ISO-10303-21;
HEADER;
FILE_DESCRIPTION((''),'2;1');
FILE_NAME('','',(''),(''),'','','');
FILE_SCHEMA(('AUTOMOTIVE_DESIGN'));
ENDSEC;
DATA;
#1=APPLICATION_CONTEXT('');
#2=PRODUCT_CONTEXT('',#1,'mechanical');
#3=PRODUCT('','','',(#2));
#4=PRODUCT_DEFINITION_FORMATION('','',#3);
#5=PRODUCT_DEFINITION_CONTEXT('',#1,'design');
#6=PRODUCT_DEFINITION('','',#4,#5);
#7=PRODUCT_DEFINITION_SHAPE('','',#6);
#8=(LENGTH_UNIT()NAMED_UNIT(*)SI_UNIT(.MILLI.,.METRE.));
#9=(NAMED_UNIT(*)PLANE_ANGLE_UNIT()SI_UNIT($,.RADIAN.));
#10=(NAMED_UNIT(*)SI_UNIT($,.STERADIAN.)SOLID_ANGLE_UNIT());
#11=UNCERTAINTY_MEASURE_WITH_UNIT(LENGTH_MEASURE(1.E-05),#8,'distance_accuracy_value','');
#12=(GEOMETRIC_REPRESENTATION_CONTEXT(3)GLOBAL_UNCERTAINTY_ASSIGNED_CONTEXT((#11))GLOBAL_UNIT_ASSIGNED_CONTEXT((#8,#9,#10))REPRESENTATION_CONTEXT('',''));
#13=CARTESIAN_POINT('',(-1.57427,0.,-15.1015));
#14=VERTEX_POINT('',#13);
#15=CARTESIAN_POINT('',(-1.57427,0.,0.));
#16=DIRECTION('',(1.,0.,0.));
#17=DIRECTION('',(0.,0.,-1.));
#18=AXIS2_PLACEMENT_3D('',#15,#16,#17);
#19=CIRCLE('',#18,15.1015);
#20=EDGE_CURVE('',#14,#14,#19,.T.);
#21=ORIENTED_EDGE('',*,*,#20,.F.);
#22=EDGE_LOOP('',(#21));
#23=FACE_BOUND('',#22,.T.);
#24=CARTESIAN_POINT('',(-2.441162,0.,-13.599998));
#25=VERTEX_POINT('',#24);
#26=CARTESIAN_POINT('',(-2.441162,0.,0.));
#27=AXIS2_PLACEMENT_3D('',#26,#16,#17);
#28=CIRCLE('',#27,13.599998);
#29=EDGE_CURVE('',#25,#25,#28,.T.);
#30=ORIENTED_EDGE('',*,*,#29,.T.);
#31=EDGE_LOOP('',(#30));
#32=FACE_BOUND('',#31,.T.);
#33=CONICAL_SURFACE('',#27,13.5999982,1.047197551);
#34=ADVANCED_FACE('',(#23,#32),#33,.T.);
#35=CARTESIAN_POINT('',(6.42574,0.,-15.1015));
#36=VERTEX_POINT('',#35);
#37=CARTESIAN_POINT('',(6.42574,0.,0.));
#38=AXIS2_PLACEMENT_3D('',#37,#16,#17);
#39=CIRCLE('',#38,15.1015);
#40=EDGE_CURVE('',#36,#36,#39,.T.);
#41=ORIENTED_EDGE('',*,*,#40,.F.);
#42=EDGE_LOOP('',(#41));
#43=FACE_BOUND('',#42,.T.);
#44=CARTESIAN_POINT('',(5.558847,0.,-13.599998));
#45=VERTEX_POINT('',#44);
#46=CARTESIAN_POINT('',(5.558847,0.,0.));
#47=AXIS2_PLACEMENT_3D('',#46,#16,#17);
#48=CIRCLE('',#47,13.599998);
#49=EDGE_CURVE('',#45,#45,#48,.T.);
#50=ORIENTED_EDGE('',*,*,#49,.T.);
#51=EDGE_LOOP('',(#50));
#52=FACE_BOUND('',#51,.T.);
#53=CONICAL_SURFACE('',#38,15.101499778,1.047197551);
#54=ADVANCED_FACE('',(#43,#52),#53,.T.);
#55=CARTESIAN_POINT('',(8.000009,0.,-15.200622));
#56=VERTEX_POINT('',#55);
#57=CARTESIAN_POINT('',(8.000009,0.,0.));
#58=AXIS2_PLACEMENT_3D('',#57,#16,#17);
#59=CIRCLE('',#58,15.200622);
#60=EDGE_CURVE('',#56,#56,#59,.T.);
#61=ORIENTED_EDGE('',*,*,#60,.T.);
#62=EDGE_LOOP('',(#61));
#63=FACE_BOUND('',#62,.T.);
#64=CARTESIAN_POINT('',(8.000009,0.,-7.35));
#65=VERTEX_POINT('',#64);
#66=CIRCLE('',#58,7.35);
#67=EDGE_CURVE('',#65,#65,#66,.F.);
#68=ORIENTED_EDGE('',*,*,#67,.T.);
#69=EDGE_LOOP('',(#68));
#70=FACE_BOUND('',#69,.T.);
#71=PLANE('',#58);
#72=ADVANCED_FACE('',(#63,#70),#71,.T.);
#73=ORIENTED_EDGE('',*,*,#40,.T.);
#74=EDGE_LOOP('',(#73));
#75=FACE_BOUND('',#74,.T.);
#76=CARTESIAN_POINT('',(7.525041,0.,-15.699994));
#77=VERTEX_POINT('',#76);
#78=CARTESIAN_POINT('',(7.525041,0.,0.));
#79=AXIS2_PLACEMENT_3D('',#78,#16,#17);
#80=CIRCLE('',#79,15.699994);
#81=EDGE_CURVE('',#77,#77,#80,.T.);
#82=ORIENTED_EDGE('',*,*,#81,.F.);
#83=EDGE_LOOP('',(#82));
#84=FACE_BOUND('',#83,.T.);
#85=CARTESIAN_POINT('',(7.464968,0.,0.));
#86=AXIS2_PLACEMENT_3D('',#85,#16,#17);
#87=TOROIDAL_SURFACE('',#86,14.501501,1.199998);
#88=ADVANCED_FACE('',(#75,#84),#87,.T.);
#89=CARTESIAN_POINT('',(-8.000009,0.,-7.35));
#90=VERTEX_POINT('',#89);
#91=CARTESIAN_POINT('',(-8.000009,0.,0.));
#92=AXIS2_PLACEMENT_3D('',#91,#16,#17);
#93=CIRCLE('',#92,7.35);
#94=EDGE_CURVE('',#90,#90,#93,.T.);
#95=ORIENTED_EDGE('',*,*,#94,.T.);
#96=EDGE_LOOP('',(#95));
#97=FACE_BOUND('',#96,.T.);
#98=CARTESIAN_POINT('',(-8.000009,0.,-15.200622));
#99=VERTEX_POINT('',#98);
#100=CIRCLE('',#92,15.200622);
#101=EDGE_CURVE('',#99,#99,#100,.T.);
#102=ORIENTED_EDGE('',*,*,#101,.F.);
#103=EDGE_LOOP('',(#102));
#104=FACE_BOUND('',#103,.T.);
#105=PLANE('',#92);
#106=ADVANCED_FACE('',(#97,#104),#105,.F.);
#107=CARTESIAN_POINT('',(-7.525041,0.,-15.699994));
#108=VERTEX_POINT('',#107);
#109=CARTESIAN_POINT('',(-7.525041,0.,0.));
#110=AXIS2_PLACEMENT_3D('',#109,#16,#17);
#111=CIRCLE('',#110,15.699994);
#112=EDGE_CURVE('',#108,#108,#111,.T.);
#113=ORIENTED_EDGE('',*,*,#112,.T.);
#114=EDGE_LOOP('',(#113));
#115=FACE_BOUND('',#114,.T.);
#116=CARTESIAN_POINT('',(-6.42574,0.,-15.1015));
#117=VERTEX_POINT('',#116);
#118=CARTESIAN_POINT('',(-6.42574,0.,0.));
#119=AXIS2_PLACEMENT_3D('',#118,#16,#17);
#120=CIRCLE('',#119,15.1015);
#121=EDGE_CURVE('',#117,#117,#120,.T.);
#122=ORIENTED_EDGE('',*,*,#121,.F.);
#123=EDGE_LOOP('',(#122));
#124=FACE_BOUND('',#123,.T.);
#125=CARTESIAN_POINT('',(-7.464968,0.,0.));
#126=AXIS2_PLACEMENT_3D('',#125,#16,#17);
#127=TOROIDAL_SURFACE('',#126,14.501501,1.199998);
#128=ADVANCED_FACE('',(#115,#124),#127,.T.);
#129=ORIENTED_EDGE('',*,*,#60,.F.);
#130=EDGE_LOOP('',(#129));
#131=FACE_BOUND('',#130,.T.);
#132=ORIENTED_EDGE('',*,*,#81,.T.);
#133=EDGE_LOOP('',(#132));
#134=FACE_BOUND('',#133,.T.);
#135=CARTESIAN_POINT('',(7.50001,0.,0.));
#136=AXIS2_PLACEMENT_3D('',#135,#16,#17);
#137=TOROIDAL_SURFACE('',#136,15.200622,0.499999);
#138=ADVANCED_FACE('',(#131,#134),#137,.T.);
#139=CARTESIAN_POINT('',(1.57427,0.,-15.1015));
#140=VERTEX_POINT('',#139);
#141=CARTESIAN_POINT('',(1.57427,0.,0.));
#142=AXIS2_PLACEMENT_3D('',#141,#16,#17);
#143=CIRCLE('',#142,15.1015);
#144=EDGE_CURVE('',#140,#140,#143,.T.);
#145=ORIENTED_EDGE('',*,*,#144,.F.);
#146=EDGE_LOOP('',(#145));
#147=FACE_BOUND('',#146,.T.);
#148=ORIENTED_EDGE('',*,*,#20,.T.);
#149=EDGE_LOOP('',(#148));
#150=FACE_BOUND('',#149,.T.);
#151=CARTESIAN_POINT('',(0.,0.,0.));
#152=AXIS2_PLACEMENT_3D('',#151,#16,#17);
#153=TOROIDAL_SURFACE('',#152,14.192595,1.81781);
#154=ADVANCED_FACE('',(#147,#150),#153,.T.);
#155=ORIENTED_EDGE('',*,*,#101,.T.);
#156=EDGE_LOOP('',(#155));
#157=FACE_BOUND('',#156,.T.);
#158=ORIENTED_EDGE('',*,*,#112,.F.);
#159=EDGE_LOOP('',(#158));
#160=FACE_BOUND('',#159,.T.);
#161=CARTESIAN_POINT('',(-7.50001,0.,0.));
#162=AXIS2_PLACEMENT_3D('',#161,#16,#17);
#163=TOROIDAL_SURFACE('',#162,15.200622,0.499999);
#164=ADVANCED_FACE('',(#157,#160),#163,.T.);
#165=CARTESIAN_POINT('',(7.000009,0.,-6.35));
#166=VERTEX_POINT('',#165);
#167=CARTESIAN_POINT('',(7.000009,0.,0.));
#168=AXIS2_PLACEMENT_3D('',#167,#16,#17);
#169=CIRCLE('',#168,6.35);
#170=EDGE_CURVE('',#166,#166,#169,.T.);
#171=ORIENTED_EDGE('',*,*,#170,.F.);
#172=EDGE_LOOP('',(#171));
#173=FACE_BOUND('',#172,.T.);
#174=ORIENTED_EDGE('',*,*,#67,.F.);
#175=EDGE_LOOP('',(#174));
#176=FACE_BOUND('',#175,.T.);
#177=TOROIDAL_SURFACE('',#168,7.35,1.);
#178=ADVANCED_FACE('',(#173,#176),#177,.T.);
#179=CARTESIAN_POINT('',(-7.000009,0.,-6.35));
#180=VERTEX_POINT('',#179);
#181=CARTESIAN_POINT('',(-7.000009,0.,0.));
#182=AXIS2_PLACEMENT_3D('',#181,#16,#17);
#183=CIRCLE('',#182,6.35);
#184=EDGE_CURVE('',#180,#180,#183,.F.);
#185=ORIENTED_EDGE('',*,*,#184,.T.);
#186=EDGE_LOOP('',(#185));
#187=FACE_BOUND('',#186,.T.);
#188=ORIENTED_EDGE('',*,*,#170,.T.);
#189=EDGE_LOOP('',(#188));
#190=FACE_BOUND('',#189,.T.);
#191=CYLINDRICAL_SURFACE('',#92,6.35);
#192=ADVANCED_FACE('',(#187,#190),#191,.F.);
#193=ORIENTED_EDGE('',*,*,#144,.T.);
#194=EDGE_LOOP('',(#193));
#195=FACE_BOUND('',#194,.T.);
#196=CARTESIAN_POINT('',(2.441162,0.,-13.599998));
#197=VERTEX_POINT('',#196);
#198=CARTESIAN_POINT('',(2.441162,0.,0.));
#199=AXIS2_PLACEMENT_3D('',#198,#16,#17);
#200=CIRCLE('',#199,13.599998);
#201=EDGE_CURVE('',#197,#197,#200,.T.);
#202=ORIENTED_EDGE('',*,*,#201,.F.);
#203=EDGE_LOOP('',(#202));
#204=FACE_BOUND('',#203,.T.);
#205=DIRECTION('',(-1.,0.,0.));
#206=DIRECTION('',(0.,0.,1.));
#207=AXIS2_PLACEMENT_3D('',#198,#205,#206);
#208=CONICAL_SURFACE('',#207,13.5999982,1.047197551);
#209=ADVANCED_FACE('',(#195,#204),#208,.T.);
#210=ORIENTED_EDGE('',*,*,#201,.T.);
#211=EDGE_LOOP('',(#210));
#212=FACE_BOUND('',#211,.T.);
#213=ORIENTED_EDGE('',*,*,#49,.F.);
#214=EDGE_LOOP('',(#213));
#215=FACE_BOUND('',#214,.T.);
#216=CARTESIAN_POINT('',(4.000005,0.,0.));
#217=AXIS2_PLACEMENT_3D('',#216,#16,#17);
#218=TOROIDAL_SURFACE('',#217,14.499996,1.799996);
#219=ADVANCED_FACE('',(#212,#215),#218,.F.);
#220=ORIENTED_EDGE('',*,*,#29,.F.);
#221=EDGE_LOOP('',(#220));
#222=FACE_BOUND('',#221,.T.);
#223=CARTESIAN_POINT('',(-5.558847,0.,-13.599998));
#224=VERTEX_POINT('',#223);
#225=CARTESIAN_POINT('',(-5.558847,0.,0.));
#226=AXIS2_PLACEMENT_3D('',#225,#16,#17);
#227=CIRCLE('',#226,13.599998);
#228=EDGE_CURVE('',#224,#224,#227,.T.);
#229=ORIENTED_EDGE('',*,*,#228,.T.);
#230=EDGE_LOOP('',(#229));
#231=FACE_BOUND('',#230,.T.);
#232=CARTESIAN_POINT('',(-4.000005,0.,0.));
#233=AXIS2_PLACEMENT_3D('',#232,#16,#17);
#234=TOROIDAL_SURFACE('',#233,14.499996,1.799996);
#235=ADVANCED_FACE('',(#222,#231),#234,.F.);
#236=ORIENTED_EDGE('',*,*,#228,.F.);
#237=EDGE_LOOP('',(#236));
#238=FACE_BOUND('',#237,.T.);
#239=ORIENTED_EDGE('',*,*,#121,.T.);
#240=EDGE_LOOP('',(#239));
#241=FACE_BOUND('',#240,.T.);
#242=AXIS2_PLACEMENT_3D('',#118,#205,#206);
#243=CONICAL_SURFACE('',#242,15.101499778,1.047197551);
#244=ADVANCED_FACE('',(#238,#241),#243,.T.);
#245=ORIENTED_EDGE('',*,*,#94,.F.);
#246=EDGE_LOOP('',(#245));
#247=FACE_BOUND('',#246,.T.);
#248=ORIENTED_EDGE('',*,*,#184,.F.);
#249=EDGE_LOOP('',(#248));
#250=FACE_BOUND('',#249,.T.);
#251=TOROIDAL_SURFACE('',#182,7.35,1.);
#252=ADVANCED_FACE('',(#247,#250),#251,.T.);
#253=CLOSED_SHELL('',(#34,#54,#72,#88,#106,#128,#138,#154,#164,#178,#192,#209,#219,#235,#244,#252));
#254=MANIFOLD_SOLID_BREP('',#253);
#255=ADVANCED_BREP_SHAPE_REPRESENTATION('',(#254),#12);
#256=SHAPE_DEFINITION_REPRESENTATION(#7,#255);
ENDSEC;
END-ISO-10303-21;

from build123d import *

# Parameters (mm, degrees)
SKETCH2_R          = 6.35
CUT_EXTRUDE1_DEPTH = 17.0000188
FILLET1_R          = 1.000000032


with BuildPart() as part:
    # Sketch1 → Revolve1 (revolve)
    with BuildSketch(Plane.XY):
        with BuildLine():
            ThreePointArc((-1.574269751, 15.101499778), (0, 16.010404842), (1.574269751, 15.101499778))
            Line((1.574269751, 15.101499778), (2.441162091, 13.5999982))
            ThreePointArc((2.441162091, 13.5999982), (4.0000047, 12.7), (5.558847309, 13.5999982))
            Line((5.558847309, 13.5999982), (6.425739649, 15.101499778))
            ThreePointArc((6.425739649, 15.101499778), (6.891177709, 15.55542644), (7.525040646, 15.699994))
            ThreePointArc((7.525040646, 15.699994), (7.862304547, 15.545211447), (8.0000094, 15.200621907))
            Line((8.0000094, 15.200621907), (8.0000094, 12.7))
            Line((8.0000094, 12.7), (8.0000094, 0))
            Line((8.0000094, 0), (-8.0000094, 0))
            Line((-8.0000094, 0), (-8.0000094, 12.7))
            Line((-8.0000094, 12.7), (-8.0000094, 15.200621907))
            ThreePointArc((-8.0000094, 15.200621907), (-7.862304547, 15.545211447), (-7.525040646, 15.699994))
            ThreePointArc((-7.525040646, 15.699994), (-6.891177709, 15.55542644), (-6.425739649, 15.101499778))
            Line((-6.425739649, 15.101499778), (-5.558847309, 13.5999982))
            ThreePointArc((-5.558847309, 13.5999982), (-4.0000047, 12.7), (-2.441162091, 13.5999982))
            Line((-2.441162091, 13.5999982), (-1.574269751, 15.101499778))
        make_face()
    revolve(axis=Axis((8.0000094, 0, 0), (-1, 0, 0)))

    # Sketch2 → Cut-Extrude1 (cut, through all)
    with BuildSketch(Plane(origin=(8.0000094, 0, 0), x_dir=(0, 0, -1), z_dir=(1, 0, 0))):
        Circle(SKETCH2_R)
    extrude(amount=-CUT_EXTRUDE1_DEPTH, mode=Mode.SUBTRACT)

    # Fillet1
    fillet1_edges = [part.edges().sort_by_distance(p)[0] for p in [
        (-8.0000094, 0, 6.35),
        (8.0000094, 0, 6.35),
    ]]
    fillet(fillet1_edges, radius=FILLET1_R)


solid = part.part
